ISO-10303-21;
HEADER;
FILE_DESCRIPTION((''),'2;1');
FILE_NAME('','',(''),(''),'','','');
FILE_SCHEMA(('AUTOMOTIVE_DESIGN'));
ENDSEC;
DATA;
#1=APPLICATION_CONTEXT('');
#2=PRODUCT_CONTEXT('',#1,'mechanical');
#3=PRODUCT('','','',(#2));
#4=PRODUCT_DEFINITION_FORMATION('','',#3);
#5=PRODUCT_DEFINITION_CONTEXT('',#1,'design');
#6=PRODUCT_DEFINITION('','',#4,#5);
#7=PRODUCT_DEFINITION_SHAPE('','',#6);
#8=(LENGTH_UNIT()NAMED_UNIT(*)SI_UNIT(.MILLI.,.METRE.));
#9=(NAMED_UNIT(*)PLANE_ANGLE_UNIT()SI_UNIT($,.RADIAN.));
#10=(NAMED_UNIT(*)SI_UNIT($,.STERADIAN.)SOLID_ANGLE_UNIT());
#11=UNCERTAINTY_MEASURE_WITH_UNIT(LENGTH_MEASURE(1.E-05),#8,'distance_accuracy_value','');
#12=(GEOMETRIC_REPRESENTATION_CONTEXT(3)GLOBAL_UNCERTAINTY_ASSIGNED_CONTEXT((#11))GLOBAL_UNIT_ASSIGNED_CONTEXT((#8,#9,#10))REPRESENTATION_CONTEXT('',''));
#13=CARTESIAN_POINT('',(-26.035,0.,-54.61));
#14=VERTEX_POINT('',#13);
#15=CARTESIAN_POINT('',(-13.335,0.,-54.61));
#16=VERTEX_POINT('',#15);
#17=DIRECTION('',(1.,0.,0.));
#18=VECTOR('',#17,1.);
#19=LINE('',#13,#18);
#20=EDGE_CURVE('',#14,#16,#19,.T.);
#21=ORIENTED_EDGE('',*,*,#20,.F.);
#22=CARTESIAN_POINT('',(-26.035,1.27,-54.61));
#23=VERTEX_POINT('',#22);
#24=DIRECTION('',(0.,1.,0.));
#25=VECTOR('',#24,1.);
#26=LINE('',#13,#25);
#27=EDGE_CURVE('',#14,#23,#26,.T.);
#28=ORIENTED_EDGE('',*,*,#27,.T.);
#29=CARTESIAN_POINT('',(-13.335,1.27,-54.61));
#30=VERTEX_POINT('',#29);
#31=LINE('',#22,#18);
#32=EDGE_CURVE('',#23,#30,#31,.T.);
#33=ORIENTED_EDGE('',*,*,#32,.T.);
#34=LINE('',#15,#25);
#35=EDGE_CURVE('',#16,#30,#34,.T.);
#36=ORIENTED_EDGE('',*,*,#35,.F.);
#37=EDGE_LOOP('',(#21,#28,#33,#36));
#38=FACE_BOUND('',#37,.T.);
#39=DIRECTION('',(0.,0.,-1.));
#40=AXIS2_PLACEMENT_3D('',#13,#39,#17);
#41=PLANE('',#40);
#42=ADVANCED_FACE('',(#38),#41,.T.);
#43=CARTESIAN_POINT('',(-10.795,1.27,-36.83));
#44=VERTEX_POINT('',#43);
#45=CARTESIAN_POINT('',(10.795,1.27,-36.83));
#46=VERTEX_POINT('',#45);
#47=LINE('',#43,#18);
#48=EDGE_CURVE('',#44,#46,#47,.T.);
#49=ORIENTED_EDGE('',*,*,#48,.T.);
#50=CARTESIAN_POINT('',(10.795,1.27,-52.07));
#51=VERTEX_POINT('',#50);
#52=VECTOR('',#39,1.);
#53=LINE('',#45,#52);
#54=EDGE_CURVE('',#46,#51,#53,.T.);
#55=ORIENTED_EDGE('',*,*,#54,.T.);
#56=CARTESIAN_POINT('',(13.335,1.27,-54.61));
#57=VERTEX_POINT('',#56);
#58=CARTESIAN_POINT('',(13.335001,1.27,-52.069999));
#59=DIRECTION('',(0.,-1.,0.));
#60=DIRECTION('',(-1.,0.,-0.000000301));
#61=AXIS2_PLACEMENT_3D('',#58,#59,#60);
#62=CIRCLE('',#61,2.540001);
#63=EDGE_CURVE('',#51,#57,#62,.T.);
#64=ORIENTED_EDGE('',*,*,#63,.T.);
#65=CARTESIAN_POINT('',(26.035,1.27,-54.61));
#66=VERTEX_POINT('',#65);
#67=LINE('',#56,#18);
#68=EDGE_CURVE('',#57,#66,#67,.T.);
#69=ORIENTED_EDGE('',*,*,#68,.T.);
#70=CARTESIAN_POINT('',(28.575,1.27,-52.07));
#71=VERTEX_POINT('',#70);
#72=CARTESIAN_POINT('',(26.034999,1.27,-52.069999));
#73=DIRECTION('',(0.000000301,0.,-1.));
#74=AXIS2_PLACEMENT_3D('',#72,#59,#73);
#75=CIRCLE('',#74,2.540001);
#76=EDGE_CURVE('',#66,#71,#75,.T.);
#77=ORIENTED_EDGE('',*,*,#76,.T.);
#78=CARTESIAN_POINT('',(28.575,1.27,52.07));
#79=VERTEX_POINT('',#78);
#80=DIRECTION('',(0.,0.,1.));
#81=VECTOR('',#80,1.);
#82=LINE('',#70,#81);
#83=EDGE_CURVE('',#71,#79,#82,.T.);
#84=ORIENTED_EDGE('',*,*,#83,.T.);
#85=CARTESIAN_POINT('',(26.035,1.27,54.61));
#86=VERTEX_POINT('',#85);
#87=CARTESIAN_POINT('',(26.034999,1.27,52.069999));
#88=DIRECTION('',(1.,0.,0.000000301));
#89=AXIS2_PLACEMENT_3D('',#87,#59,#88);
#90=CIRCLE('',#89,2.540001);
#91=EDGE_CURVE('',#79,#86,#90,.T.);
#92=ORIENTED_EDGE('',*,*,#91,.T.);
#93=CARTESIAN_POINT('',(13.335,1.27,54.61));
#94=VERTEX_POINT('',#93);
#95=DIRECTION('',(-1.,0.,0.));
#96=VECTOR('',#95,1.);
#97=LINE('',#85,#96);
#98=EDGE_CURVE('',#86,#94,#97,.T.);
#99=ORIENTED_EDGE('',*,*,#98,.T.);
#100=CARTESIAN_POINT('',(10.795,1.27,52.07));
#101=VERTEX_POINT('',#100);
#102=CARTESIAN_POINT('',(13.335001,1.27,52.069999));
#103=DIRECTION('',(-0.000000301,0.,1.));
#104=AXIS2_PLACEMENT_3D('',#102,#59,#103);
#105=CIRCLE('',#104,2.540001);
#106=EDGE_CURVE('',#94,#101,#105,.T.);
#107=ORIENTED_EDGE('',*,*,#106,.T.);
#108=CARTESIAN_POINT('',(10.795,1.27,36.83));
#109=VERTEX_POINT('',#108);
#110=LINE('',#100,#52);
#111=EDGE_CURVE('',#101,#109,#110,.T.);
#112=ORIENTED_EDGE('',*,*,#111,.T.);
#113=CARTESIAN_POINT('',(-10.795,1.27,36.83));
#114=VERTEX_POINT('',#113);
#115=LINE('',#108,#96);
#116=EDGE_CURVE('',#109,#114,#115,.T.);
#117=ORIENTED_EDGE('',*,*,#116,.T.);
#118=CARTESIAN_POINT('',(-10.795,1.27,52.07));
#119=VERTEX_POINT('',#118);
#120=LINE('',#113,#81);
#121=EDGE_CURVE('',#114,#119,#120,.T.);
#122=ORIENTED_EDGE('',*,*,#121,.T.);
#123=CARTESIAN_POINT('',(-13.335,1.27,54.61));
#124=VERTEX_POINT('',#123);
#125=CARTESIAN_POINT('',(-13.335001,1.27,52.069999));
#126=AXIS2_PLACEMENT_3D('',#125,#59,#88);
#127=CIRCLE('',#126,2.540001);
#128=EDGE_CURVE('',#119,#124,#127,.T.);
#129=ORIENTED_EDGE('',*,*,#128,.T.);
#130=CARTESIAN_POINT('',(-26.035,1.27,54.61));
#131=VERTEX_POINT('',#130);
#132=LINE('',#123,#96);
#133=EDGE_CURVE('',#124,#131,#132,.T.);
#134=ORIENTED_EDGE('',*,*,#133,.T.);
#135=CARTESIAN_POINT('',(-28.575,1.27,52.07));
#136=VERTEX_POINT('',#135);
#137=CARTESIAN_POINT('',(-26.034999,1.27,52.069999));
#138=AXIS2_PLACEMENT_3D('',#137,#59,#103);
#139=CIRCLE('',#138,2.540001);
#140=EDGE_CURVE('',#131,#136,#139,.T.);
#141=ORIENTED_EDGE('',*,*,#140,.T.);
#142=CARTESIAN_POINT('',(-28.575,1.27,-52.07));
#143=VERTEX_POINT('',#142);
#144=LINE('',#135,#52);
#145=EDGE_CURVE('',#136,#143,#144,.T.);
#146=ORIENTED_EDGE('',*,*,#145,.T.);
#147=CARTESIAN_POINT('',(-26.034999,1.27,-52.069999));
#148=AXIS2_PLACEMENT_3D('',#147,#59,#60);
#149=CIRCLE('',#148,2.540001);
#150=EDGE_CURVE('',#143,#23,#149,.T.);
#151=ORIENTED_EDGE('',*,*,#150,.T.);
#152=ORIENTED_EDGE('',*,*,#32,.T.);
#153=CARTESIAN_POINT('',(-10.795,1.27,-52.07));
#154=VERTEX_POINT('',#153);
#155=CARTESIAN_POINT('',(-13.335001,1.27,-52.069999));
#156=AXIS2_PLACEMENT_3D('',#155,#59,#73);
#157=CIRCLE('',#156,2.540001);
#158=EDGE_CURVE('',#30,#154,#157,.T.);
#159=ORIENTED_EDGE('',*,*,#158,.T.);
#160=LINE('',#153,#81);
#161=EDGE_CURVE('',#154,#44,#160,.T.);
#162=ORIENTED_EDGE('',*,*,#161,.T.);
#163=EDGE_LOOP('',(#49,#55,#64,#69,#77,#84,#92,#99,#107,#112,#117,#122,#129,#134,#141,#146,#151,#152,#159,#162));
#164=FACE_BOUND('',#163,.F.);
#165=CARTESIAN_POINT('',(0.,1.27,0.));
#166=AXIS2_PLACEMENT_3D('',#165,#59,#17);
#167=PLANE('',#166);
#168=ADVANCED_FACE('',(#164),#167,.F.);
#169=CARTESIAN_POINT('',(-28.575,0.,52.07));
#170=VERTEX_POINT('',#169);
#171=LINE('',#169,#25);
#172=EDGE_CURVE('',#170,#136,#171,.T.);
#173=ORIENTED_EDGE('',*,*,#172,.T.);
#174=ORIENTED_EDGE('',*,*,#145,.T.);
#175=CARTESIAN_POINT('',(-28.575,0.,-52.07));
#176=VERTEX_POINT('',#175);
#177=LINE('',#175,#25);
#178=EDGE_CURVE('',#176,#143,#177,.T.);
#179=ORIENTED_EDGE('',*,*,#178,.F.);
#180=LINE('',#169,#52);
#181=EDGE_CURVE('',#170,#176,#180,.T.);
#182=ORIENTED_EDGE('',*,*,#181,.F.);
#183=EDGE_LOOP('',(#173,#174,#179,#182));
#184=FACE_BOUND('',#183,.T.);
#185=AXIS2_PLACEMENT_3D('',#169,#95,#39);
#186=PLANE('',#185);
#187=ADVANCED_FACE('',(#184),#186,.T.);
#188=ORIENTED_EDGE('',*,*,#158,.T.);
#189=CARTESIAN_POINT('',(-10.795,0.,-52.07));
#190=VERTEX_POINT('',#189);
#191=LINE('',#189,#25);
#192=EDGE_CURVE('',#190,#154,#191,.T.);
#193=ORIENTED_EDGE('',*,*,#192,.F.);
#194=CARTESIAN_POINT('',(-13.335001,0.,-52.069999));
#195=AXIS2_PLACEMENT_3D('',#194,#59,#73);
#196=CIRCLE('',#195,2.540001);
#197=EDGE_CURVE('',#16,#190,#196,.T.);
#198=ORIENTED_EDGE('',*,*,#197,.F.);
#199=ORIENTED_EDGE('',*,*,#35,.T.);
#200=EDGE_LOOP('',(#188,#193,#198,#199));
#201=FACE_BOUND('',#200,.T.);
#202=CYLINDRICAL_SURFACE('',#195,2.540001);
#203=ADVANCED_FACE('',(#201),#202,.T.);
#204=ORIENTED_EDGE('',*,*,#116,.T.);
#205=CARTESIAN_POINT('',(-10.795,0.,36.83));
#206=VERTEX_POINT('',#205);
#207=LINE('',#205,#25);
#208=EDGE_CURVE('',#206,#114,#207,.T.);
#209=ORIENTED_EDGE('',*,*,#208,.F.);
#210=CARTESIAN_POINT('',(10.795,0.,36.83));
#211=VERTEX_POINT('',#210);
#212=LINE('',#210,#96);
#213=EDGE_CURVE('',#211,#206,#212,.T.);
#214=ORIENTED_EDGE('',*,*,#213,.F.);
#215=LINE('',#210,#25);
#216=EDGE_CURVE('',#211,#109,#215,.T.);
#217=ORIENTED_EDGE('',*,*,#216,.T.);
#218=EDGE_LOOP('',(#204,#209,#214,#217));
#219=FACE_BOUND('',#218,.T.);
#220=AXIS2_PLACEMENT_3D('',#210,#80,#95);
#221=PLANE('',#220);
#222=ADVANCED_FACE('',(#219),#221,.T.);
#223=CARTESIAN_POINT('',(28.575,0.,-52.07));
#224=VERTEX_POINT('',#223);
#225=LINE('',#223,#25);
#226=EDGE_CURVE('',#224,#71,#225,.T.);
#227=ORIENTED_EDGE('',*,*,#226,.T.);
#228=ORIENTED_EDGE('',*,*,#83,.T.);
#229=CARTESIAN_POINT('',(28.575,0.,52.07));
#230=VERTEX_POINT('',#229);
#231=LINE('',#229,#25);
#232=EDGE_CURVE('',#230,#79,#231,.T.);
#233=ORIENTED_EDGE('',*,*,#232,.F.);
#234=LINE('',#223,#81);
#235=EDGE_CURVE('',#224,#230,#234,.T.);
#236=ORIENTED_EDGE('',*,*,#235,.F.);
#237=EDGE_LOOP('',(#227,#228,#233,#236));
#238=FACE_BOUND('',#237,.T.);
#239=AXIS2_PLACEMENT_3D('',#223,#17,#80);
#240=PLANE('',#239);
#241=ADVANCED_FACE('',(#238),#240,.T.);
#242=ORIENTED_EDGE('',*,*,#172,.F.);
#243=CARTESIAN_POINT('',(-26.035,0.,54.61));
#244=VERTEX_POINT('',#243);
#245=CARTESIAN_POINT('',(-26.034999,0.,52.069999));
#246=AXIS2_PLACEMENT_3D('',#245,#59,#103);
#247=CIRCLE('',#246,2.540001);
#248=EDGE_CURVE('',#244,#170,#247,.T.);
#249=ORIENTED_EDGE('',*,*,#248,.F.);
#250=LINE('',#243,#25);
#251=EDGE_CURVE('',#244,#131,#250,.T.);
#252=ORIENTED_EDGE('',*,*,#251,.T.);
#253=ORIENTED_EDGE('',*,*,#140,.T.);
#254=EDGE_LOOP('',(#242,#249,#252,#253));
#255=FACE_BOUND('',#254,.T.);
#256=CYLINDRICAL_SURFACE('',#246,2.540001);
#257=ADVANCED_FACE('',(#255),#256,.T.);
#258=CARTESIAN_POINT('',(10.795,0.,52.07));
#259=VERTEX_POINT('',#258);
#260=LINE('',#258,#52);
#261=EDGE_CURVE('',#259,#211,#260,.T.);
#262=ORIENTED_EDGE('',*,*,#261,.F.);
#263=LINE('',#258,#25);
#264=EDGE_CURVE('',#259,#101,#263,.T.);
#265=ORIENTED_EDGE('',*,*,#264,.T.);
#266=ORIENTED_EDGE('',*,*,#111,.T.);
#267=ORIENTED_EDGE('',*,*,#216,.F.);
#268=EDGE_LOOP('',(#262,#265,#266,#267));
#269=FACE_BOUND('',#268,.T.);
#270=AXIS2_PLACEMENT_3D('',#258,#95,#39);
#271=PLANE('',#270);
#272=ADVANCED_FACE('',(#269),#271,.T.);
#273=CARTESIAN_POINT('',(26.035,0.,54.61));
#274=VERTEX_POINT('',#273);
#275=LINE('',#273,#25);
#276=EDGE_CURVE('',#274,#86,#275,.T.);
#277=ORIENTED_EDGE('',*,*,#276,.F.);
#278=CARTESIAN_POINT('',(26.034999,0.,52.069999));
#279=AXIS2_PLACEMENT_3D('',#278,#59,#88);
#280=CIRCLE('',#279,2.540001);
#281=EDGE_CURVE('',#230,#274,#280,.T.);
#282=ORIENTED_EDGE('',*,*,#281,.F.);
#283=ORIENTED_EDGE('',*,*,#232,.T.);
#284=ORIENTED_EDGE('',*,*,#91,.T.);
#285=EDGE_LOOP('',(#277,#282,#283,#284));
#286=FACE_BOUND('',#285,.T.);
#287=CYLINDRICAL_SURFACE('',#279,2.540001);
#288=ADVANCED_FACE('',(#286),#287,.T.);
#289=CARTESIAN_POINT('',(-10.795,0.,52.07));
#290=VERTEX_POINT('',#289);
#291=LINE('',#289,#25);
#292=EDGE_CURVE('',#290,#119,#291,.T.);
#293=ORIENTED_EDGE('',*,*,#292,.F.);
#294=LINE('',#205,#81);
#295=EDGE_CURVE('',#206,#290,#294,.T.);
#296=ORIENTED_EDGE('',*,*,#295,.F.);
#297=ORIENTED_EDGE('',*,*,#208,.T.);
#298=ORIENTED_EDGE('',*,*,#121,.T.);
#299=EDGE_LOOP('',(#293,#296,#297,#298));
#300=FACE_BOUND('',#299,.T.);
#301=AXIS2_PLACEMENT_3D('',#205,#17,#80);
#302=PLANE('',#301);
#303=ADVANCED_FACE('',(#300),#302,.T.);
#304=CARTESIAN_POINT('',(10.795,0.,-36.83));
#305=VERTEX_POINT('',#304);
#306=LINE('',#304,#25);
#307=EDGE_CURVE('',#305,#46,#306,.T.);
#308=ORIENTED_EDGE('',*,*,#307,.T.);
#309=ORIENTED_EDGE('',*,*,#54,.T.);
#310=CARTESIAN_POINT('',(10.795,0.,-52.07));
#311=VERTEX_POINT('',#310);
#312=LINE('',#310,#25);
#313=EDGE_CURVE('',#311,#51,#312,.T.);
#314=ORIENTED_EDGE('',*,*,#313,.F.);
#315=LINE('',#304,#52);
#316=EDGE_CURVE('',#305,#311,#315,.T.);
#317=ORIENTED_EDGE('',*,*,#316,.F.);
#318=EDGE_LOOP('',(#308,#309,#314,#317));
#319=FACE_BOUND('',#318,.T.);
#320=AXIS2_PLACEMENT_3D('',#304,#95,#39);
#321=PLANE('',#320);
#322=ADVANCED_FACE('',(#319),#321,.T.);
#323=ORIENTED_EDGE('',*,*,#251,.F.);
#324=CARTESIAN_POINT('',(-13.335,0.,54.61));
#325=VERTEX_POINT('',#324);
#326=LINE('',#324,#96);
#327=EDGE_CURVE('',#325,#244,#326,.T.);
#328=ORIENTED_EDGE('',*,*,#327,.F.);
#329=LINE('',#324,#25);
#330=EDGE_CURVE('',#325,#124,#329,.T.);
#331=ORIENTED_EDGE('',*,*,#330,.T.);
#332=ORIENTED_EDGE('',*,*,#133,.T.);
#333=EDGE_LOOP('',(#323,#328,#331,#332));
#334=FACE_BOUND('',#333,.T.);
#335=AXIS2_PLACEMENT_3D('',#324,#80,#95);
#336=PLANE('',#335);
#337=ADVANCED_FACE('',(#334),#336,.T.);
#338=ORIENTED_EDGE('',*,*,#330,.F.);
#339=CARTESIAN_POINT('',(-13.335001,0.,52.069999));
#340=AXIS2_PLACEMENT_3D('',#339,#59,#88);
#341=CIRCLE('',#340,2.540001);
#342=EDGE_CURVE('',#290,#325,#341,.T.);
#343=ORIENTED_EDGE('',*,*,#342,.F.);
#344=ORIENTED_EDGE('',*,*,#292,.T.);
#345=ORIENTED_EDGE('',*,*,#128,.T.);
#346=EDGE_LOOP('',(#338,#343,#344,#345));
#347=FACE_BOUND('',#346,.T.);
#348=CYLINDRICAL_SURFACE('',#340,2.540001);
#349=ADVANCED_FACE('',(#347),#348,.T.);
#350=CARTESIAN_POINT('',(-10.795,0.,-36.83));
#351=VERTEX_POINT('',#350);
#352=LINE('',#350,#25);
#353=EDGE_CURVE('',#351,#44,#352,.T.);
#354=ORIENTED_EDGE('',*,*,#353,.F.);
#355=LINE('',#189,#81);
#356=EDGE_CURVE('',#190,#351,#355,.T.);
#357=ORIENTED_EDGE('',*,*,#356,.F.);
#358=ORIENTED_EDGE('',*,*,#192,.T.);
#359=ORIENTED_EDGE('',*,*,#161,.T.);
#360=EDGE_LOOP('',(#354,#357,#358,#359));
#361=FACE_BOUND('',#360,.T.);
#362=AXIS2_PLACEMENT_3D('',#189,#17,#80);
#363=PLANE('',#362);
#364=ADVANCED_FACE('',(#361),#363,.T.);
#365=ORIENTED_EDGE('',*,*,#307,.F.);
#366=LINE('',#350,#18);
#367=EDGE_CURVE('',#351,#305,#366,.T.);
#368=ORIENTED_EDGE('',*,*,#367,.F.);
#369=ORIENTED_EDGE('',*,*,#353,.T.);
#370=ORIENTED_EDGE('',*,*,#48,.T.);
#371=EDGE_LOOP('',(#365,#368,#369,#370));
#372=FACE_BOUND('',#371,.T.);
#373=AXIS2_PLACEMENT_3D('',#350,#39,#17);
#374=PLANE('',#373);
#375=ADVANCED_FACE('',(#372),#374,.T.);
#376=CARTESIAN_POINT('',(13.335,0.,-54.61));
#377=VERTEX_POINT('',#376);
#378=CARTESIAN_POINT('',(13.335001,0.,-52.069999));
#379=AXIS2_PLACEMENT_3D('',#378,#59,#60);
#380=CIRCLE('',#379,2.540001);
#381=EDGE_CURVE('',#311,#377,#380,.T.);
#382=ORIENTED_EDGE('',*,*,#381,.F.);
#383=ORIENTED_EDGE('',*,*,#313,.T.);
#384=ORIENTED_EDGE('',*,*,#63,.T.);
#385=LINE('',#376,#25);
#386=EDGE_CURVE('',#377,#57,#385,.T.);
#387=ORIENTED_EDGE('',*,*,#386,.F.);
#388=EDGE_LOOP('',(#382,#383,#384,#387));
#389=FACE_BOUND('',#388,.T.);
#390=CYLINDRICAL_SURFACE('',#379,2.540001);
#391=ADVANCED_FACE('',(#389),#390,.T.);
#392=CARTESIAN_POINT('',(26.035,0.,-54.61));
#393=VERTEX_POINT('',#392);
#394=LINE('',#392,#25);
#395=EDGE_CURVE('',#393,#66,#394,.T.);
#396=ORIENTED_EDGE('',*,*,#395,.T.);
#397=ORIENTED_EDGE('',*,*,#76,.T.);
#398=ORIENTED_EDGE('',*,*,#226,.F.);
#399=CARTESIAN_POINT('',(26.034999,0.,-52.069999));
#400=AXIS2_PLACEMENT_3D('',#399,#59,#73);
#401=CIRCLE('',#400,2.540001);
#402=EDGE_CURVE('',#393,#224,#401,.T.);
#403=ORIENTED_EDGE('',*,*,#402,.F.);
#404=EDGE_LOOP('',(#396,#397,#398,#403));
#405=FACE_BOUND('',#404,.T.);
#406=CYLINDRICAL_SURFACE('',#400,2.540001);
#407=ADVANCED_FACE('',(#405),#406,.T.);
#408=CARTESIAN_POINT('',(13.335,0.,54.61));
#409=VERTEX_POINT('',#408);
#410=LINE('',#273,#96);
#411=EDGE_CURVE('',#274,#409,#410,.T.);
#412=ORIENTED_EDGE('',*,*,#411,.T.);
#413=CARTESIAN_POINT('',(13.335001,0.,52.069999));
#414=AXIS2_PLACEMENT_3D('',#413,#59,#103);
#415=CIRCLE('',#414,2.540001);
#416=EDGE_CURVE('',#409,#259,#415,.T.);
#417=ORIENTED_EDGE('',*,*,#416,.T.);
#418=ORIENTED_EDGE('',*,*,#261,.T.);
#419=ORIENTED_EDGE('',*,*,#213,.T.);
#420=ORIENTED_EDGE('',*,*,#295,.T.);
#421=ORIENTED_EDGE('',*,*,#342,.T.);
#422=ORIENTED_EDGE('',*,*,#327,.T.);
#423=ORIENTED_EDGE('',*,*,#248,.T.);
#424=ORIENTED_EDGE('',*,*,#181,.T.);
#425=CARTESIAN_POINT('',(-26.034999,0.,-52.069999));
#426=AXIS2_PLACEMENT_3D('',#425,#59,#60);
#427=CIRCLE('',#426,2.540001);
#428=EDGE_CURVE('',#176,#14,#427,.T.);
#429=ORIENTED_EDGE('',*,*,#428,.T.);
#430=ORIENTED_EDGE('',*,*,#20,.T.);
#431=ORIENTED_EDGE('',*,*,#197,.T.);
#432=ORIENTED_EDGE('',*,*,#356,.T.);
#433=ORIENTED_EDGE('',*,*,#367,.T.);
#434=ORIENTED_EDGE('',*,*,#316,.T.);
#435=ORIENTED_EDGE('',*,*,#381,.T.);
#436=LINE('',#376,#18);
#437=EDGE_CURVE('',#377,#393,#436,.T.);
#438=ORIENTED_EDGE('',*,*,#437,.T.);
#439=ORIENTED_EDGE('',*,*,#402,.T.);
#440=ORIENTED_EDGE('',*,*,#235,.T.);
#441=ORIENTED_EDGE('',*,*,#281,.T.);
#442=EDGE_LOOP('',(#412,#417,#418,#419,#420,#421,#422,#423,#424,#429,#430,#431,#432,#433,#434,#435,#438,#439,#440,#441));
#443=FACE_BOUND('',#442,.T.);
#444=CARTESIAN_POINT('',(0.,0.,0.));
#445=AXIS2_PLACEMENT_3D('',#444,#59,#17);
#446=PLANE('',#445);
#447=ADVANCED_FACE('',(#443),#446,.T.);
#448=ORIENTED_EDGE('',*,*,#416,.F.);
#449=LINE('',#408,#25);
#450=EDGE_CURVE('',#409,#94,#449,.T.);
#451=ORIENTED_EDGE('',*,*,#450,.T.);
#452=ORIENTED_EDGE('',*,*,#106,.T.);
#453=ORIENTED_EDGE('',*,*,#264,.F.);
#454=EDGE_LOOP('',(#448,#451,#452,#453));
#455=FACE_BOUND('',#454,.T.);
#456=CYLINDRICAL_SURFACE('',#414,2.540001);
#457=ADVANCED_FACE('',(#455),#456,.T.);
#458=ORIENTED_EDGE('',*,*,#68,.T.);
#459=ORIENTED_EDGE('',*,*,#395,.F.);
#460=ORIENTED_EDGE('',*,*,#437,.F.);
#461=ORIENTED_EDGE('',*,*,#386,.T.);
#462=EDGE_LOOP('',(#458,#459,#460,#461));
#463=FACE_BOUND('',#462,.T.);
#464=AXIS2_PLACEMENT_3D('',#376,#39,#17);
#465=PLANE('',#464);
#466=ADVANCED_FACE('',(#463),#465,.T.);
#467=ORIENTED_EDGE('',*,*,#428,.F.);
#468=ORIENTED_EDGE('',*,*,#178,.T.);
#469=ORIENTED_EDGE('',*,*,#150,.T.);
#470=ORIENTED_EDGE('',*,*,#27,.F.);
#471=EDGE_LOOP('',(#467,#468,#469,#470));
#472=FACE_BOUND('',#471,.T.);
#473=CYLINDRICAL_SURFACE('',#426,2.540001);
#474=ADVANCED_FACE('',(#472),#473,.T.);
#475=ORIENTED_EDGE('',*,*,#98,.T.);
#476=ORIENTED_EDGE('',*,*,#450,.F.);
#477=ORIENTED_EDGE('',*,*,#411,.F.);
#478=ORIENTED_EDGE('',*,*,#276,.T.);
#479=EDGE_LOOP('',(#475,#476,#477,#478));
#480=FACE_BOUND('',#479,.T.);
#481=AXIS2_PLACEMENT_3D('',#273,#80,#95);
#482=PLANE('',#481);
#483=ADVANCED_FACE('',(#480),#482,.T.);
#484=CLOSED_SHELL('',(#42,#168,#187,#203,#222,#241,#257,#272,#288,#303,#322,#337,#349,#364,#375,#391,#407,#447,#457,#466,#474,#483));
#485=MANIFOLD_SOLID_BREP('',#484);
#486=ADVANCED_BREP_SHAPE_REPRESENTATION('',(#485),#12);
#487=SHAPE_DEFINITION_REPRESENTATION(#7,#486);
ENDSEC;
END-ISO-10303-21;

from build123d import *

# Parameters (mm, degrees)
F1_DEPTH = 1.27


with BuildPart() as f1:
    # F0 (on Front) → F1 (new body)
    with BuildSketch(Plane.XZ):
        with BuildLine():
            Line((-13.335, 54.61), (-26.035, 54.61))
            ThreePointArc((-26.035, 54.61), (-27.831051, 53.866051), (-28.575, 52.07))
            Line((-28.575, 52.07), (-28.575, -52.07))
            ThreePointArc((-28.575, -52.07), (-27.831051, -53.866051), (-26.035, -54.61))
            Line((-26.035, -54.61), (-13.335, -54.61))
            ThreePointArc((-13.335, -54.61), (-11.538949, -53.866051), (-10.795, -52.07))
            Line((-10.795, -52.07), (-10.795, -36.83))
            Line((-10.795, -36.83), (10.795, -36.83))
            Line((10.795, -36.83), (10.795, -52.07))
            ThreePointArc((10.795, -52.07), (11.538949, -53.866051), (13.335, -54.61))
            Line((13.335, -54.61), (26.035, -54.61))
            ThreePointArc((26.035, -54.61), (27.831051, -53.866051), (28.575, -52.07))
            Line((28.575, -52.07), (28.575, 52.07))
            ThreePointArc((28.575, 52.07), (27.831051, 53.866051), (26.035, 54.61))
            Line((26.035, 54.61), (13.335, 54.61))
            ThreePointArc((13.335, 54.61), (11.538949, 53.866051), (10.795, 52.07))
            Line((10.795, 52.07), (10.795, 36.83))
            Line((10.795, 36.83), (-10.795, 36.83))
            Line((-10.795, 36.83), (-10.795, 52.07))
            ThreePointArc((-10.795, 52.07), (-11.538949, 53.866051), (-13.335, 54.61))
        make_face()
    extrude(amount=-F1_DEPTH)


solid = f1.part
